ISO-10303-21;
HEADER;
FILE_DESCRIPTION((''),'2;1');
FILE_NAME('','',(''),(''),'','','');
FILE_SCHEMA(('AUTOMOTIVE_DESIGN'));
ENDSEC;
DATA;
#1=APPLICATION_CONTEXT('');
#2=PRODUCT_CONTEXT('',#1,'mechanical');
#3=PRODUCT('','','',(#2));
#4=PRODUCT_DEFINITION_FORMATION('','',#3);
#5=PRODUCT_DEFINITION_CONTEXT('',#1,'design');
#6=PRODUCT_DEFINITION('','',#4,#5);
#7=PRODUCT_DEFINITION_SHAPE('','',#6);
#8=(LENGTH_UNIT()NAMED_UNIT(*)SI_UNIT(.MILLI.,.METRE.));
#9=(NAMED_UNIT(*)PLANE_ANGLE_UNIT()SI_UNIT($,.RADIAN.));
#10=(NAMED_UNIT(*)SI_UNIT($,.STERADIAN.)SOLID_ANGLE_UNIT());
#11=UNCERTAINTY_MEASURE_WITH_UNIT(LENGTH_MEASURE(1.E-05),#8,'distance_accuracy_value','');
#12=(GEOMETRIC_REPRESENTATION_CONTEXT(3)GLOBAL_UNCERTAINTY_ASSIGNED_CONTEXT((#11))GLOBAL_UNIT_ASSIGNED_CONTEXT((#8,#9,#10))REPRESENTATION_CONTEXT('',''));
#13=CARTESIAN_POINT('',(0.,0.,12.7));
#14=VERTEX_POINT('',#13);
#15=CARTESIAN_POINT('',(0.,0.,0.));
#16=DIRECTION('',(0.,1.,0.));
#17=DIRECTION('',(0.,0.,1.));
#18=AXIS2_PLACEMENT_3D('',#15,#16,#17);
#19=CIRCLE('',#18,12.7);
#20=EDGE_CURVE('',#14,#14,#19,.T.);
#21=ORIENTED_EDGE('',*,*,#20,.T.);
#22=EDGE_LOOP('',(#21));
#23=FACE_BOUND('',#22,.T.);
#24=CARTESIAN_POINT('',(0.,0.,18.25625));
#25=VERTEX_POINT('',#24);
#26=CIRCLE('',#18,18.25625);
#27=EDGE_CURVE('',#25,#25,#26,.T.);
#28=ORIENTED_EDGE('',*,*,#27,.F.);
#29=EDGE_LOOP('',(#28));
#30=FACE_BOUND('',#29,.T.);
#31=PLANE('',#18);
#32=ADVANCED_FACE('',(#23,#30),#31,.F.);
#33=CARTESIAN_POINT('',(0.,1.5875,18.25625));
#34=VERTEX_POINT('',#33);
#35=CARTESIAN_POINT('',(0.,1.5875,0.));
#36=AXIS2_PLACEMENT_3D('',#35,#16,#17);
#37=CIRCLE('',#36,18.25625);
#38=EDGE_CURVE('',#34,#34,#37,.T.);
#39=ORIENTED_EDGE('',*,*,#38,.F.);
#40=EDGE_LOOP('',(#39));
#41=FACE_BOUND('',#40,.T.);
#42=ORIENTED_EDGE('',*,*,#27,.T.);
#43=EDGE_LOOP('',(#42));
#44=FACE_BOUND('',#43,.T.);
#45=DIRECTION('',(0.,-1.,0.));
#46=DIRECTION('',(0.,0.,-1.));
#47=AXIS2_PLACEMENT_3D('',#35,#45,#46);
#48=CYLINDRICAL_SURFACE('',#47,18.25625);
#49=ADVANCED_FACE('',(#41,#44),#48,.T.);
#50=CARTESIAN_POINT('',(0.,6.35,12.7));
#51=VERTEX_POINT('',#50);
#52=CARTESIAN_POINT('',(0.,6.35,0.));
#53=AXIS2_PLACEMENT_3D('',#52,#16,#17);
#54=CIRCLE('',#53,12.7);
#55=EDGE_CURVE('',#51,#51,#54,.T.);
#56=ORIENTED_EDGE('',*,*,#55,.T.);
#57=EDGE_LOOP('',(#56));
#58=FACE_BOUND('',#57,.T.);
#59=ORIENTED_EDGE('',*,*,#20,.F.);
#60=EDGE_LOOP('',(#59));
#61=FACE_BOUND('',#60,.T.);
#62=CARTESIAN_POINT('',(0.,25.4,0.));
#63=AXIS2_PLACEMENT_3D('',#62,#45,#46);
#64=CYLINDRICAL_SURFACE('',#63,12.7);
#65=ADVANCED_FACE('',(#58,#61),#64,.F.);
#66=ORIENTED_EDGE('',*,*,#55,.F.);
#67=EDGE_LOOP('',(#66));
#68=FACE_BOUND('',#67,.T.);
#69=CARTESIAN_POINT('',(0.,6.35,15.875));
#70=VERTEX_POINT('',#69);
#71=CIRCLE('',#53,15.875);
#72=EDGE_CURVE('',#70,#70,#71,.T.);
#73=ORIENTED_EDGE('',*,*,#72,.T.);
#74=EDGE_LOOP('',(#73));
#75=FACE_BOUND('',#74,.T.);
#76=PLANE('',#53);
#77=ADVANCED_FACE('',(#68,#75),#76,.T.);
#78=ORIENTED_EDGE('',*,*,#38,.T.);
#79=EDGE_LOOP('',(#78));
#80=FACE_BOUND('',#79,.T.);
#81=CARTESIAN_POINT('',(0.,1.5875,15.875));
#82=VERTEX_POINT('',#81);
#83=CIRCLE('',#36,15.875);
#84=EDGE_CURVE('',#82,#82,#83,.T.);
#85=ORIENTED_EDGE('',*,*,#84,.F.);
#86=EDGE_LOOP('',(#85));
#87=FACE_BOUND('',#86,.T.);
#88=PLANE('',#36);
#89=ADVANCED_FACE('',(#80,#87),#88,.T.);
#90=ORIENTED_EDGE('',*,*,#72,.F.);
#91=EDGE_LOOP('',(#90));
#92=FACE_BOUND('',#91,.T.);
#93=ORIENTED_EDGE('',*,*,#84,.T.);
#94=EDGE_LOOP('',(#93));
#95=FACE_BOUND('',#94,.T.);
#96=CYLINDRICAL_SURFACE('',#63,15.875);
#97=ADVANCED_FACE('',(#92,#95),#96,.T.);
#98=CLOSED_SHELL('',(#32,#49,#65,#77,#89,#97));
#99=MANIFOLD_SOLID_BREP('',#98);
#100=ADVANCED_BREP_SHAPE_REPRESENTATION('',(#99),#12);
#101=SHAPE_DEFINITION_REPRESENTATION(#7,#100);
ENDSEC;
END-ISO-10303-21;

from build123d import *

# Parameters (mm, degrees)
SKETCH2_R           = 15.875
SKETCH2_R_2         = 12.7
BOSS_EXTRUDE1_DEPTH = 25.4
SKETCH3_R           = 18.25625
SKETCH3_R_2         = 15.875
BOSS_EXTRUDE2_DEPTH = 1.5875
SKETCH5_R           = 18.25625
CUT_EXTRUDE1_DEPTH  = 19.05


with BuildPart() as part:
    # Sketch2 → Boss-Extrude1 (new body)
    with BuildSketch(Plane(origin=(0, 0, 0), x_dir=(1, 0, 0), z_dir=(0, 1, 0))):
        Circle(SKETCH2_R)
        Circle(SKETCH2_R_2, mode=Mode.SUBTRACT)
    extrude(amount=BOSS_EXTRUDE1_DEPTH)

    # Sketch3 → Boss-Extrude2 (add)
    with BuildSketch(Plane(origin=(0, 0, 0), x_dir=(1, 0, 0), z_dir=(0, 1, 0))):
        Circle(SKETCH3_R)
        Circle(SKETCH3_R_2, mode=Mode.SUBTRACT)
    extrude(amount=BOSS_EXTRUDE2_DEPTH)

    # Sketch5 → Cut-Extrude1 (cut)
    with BuildSketch(Plane(origin=(0, 25.4, 0), x_dir=(1, 0, 0), z_dir=(0, 1, 0))):
        Circle(SKETCH5_R)
    extrude(amount=-CUT_EXTRUDE1_DEPTH, mode=Mode.SUBTRACT)


solid = part.part
